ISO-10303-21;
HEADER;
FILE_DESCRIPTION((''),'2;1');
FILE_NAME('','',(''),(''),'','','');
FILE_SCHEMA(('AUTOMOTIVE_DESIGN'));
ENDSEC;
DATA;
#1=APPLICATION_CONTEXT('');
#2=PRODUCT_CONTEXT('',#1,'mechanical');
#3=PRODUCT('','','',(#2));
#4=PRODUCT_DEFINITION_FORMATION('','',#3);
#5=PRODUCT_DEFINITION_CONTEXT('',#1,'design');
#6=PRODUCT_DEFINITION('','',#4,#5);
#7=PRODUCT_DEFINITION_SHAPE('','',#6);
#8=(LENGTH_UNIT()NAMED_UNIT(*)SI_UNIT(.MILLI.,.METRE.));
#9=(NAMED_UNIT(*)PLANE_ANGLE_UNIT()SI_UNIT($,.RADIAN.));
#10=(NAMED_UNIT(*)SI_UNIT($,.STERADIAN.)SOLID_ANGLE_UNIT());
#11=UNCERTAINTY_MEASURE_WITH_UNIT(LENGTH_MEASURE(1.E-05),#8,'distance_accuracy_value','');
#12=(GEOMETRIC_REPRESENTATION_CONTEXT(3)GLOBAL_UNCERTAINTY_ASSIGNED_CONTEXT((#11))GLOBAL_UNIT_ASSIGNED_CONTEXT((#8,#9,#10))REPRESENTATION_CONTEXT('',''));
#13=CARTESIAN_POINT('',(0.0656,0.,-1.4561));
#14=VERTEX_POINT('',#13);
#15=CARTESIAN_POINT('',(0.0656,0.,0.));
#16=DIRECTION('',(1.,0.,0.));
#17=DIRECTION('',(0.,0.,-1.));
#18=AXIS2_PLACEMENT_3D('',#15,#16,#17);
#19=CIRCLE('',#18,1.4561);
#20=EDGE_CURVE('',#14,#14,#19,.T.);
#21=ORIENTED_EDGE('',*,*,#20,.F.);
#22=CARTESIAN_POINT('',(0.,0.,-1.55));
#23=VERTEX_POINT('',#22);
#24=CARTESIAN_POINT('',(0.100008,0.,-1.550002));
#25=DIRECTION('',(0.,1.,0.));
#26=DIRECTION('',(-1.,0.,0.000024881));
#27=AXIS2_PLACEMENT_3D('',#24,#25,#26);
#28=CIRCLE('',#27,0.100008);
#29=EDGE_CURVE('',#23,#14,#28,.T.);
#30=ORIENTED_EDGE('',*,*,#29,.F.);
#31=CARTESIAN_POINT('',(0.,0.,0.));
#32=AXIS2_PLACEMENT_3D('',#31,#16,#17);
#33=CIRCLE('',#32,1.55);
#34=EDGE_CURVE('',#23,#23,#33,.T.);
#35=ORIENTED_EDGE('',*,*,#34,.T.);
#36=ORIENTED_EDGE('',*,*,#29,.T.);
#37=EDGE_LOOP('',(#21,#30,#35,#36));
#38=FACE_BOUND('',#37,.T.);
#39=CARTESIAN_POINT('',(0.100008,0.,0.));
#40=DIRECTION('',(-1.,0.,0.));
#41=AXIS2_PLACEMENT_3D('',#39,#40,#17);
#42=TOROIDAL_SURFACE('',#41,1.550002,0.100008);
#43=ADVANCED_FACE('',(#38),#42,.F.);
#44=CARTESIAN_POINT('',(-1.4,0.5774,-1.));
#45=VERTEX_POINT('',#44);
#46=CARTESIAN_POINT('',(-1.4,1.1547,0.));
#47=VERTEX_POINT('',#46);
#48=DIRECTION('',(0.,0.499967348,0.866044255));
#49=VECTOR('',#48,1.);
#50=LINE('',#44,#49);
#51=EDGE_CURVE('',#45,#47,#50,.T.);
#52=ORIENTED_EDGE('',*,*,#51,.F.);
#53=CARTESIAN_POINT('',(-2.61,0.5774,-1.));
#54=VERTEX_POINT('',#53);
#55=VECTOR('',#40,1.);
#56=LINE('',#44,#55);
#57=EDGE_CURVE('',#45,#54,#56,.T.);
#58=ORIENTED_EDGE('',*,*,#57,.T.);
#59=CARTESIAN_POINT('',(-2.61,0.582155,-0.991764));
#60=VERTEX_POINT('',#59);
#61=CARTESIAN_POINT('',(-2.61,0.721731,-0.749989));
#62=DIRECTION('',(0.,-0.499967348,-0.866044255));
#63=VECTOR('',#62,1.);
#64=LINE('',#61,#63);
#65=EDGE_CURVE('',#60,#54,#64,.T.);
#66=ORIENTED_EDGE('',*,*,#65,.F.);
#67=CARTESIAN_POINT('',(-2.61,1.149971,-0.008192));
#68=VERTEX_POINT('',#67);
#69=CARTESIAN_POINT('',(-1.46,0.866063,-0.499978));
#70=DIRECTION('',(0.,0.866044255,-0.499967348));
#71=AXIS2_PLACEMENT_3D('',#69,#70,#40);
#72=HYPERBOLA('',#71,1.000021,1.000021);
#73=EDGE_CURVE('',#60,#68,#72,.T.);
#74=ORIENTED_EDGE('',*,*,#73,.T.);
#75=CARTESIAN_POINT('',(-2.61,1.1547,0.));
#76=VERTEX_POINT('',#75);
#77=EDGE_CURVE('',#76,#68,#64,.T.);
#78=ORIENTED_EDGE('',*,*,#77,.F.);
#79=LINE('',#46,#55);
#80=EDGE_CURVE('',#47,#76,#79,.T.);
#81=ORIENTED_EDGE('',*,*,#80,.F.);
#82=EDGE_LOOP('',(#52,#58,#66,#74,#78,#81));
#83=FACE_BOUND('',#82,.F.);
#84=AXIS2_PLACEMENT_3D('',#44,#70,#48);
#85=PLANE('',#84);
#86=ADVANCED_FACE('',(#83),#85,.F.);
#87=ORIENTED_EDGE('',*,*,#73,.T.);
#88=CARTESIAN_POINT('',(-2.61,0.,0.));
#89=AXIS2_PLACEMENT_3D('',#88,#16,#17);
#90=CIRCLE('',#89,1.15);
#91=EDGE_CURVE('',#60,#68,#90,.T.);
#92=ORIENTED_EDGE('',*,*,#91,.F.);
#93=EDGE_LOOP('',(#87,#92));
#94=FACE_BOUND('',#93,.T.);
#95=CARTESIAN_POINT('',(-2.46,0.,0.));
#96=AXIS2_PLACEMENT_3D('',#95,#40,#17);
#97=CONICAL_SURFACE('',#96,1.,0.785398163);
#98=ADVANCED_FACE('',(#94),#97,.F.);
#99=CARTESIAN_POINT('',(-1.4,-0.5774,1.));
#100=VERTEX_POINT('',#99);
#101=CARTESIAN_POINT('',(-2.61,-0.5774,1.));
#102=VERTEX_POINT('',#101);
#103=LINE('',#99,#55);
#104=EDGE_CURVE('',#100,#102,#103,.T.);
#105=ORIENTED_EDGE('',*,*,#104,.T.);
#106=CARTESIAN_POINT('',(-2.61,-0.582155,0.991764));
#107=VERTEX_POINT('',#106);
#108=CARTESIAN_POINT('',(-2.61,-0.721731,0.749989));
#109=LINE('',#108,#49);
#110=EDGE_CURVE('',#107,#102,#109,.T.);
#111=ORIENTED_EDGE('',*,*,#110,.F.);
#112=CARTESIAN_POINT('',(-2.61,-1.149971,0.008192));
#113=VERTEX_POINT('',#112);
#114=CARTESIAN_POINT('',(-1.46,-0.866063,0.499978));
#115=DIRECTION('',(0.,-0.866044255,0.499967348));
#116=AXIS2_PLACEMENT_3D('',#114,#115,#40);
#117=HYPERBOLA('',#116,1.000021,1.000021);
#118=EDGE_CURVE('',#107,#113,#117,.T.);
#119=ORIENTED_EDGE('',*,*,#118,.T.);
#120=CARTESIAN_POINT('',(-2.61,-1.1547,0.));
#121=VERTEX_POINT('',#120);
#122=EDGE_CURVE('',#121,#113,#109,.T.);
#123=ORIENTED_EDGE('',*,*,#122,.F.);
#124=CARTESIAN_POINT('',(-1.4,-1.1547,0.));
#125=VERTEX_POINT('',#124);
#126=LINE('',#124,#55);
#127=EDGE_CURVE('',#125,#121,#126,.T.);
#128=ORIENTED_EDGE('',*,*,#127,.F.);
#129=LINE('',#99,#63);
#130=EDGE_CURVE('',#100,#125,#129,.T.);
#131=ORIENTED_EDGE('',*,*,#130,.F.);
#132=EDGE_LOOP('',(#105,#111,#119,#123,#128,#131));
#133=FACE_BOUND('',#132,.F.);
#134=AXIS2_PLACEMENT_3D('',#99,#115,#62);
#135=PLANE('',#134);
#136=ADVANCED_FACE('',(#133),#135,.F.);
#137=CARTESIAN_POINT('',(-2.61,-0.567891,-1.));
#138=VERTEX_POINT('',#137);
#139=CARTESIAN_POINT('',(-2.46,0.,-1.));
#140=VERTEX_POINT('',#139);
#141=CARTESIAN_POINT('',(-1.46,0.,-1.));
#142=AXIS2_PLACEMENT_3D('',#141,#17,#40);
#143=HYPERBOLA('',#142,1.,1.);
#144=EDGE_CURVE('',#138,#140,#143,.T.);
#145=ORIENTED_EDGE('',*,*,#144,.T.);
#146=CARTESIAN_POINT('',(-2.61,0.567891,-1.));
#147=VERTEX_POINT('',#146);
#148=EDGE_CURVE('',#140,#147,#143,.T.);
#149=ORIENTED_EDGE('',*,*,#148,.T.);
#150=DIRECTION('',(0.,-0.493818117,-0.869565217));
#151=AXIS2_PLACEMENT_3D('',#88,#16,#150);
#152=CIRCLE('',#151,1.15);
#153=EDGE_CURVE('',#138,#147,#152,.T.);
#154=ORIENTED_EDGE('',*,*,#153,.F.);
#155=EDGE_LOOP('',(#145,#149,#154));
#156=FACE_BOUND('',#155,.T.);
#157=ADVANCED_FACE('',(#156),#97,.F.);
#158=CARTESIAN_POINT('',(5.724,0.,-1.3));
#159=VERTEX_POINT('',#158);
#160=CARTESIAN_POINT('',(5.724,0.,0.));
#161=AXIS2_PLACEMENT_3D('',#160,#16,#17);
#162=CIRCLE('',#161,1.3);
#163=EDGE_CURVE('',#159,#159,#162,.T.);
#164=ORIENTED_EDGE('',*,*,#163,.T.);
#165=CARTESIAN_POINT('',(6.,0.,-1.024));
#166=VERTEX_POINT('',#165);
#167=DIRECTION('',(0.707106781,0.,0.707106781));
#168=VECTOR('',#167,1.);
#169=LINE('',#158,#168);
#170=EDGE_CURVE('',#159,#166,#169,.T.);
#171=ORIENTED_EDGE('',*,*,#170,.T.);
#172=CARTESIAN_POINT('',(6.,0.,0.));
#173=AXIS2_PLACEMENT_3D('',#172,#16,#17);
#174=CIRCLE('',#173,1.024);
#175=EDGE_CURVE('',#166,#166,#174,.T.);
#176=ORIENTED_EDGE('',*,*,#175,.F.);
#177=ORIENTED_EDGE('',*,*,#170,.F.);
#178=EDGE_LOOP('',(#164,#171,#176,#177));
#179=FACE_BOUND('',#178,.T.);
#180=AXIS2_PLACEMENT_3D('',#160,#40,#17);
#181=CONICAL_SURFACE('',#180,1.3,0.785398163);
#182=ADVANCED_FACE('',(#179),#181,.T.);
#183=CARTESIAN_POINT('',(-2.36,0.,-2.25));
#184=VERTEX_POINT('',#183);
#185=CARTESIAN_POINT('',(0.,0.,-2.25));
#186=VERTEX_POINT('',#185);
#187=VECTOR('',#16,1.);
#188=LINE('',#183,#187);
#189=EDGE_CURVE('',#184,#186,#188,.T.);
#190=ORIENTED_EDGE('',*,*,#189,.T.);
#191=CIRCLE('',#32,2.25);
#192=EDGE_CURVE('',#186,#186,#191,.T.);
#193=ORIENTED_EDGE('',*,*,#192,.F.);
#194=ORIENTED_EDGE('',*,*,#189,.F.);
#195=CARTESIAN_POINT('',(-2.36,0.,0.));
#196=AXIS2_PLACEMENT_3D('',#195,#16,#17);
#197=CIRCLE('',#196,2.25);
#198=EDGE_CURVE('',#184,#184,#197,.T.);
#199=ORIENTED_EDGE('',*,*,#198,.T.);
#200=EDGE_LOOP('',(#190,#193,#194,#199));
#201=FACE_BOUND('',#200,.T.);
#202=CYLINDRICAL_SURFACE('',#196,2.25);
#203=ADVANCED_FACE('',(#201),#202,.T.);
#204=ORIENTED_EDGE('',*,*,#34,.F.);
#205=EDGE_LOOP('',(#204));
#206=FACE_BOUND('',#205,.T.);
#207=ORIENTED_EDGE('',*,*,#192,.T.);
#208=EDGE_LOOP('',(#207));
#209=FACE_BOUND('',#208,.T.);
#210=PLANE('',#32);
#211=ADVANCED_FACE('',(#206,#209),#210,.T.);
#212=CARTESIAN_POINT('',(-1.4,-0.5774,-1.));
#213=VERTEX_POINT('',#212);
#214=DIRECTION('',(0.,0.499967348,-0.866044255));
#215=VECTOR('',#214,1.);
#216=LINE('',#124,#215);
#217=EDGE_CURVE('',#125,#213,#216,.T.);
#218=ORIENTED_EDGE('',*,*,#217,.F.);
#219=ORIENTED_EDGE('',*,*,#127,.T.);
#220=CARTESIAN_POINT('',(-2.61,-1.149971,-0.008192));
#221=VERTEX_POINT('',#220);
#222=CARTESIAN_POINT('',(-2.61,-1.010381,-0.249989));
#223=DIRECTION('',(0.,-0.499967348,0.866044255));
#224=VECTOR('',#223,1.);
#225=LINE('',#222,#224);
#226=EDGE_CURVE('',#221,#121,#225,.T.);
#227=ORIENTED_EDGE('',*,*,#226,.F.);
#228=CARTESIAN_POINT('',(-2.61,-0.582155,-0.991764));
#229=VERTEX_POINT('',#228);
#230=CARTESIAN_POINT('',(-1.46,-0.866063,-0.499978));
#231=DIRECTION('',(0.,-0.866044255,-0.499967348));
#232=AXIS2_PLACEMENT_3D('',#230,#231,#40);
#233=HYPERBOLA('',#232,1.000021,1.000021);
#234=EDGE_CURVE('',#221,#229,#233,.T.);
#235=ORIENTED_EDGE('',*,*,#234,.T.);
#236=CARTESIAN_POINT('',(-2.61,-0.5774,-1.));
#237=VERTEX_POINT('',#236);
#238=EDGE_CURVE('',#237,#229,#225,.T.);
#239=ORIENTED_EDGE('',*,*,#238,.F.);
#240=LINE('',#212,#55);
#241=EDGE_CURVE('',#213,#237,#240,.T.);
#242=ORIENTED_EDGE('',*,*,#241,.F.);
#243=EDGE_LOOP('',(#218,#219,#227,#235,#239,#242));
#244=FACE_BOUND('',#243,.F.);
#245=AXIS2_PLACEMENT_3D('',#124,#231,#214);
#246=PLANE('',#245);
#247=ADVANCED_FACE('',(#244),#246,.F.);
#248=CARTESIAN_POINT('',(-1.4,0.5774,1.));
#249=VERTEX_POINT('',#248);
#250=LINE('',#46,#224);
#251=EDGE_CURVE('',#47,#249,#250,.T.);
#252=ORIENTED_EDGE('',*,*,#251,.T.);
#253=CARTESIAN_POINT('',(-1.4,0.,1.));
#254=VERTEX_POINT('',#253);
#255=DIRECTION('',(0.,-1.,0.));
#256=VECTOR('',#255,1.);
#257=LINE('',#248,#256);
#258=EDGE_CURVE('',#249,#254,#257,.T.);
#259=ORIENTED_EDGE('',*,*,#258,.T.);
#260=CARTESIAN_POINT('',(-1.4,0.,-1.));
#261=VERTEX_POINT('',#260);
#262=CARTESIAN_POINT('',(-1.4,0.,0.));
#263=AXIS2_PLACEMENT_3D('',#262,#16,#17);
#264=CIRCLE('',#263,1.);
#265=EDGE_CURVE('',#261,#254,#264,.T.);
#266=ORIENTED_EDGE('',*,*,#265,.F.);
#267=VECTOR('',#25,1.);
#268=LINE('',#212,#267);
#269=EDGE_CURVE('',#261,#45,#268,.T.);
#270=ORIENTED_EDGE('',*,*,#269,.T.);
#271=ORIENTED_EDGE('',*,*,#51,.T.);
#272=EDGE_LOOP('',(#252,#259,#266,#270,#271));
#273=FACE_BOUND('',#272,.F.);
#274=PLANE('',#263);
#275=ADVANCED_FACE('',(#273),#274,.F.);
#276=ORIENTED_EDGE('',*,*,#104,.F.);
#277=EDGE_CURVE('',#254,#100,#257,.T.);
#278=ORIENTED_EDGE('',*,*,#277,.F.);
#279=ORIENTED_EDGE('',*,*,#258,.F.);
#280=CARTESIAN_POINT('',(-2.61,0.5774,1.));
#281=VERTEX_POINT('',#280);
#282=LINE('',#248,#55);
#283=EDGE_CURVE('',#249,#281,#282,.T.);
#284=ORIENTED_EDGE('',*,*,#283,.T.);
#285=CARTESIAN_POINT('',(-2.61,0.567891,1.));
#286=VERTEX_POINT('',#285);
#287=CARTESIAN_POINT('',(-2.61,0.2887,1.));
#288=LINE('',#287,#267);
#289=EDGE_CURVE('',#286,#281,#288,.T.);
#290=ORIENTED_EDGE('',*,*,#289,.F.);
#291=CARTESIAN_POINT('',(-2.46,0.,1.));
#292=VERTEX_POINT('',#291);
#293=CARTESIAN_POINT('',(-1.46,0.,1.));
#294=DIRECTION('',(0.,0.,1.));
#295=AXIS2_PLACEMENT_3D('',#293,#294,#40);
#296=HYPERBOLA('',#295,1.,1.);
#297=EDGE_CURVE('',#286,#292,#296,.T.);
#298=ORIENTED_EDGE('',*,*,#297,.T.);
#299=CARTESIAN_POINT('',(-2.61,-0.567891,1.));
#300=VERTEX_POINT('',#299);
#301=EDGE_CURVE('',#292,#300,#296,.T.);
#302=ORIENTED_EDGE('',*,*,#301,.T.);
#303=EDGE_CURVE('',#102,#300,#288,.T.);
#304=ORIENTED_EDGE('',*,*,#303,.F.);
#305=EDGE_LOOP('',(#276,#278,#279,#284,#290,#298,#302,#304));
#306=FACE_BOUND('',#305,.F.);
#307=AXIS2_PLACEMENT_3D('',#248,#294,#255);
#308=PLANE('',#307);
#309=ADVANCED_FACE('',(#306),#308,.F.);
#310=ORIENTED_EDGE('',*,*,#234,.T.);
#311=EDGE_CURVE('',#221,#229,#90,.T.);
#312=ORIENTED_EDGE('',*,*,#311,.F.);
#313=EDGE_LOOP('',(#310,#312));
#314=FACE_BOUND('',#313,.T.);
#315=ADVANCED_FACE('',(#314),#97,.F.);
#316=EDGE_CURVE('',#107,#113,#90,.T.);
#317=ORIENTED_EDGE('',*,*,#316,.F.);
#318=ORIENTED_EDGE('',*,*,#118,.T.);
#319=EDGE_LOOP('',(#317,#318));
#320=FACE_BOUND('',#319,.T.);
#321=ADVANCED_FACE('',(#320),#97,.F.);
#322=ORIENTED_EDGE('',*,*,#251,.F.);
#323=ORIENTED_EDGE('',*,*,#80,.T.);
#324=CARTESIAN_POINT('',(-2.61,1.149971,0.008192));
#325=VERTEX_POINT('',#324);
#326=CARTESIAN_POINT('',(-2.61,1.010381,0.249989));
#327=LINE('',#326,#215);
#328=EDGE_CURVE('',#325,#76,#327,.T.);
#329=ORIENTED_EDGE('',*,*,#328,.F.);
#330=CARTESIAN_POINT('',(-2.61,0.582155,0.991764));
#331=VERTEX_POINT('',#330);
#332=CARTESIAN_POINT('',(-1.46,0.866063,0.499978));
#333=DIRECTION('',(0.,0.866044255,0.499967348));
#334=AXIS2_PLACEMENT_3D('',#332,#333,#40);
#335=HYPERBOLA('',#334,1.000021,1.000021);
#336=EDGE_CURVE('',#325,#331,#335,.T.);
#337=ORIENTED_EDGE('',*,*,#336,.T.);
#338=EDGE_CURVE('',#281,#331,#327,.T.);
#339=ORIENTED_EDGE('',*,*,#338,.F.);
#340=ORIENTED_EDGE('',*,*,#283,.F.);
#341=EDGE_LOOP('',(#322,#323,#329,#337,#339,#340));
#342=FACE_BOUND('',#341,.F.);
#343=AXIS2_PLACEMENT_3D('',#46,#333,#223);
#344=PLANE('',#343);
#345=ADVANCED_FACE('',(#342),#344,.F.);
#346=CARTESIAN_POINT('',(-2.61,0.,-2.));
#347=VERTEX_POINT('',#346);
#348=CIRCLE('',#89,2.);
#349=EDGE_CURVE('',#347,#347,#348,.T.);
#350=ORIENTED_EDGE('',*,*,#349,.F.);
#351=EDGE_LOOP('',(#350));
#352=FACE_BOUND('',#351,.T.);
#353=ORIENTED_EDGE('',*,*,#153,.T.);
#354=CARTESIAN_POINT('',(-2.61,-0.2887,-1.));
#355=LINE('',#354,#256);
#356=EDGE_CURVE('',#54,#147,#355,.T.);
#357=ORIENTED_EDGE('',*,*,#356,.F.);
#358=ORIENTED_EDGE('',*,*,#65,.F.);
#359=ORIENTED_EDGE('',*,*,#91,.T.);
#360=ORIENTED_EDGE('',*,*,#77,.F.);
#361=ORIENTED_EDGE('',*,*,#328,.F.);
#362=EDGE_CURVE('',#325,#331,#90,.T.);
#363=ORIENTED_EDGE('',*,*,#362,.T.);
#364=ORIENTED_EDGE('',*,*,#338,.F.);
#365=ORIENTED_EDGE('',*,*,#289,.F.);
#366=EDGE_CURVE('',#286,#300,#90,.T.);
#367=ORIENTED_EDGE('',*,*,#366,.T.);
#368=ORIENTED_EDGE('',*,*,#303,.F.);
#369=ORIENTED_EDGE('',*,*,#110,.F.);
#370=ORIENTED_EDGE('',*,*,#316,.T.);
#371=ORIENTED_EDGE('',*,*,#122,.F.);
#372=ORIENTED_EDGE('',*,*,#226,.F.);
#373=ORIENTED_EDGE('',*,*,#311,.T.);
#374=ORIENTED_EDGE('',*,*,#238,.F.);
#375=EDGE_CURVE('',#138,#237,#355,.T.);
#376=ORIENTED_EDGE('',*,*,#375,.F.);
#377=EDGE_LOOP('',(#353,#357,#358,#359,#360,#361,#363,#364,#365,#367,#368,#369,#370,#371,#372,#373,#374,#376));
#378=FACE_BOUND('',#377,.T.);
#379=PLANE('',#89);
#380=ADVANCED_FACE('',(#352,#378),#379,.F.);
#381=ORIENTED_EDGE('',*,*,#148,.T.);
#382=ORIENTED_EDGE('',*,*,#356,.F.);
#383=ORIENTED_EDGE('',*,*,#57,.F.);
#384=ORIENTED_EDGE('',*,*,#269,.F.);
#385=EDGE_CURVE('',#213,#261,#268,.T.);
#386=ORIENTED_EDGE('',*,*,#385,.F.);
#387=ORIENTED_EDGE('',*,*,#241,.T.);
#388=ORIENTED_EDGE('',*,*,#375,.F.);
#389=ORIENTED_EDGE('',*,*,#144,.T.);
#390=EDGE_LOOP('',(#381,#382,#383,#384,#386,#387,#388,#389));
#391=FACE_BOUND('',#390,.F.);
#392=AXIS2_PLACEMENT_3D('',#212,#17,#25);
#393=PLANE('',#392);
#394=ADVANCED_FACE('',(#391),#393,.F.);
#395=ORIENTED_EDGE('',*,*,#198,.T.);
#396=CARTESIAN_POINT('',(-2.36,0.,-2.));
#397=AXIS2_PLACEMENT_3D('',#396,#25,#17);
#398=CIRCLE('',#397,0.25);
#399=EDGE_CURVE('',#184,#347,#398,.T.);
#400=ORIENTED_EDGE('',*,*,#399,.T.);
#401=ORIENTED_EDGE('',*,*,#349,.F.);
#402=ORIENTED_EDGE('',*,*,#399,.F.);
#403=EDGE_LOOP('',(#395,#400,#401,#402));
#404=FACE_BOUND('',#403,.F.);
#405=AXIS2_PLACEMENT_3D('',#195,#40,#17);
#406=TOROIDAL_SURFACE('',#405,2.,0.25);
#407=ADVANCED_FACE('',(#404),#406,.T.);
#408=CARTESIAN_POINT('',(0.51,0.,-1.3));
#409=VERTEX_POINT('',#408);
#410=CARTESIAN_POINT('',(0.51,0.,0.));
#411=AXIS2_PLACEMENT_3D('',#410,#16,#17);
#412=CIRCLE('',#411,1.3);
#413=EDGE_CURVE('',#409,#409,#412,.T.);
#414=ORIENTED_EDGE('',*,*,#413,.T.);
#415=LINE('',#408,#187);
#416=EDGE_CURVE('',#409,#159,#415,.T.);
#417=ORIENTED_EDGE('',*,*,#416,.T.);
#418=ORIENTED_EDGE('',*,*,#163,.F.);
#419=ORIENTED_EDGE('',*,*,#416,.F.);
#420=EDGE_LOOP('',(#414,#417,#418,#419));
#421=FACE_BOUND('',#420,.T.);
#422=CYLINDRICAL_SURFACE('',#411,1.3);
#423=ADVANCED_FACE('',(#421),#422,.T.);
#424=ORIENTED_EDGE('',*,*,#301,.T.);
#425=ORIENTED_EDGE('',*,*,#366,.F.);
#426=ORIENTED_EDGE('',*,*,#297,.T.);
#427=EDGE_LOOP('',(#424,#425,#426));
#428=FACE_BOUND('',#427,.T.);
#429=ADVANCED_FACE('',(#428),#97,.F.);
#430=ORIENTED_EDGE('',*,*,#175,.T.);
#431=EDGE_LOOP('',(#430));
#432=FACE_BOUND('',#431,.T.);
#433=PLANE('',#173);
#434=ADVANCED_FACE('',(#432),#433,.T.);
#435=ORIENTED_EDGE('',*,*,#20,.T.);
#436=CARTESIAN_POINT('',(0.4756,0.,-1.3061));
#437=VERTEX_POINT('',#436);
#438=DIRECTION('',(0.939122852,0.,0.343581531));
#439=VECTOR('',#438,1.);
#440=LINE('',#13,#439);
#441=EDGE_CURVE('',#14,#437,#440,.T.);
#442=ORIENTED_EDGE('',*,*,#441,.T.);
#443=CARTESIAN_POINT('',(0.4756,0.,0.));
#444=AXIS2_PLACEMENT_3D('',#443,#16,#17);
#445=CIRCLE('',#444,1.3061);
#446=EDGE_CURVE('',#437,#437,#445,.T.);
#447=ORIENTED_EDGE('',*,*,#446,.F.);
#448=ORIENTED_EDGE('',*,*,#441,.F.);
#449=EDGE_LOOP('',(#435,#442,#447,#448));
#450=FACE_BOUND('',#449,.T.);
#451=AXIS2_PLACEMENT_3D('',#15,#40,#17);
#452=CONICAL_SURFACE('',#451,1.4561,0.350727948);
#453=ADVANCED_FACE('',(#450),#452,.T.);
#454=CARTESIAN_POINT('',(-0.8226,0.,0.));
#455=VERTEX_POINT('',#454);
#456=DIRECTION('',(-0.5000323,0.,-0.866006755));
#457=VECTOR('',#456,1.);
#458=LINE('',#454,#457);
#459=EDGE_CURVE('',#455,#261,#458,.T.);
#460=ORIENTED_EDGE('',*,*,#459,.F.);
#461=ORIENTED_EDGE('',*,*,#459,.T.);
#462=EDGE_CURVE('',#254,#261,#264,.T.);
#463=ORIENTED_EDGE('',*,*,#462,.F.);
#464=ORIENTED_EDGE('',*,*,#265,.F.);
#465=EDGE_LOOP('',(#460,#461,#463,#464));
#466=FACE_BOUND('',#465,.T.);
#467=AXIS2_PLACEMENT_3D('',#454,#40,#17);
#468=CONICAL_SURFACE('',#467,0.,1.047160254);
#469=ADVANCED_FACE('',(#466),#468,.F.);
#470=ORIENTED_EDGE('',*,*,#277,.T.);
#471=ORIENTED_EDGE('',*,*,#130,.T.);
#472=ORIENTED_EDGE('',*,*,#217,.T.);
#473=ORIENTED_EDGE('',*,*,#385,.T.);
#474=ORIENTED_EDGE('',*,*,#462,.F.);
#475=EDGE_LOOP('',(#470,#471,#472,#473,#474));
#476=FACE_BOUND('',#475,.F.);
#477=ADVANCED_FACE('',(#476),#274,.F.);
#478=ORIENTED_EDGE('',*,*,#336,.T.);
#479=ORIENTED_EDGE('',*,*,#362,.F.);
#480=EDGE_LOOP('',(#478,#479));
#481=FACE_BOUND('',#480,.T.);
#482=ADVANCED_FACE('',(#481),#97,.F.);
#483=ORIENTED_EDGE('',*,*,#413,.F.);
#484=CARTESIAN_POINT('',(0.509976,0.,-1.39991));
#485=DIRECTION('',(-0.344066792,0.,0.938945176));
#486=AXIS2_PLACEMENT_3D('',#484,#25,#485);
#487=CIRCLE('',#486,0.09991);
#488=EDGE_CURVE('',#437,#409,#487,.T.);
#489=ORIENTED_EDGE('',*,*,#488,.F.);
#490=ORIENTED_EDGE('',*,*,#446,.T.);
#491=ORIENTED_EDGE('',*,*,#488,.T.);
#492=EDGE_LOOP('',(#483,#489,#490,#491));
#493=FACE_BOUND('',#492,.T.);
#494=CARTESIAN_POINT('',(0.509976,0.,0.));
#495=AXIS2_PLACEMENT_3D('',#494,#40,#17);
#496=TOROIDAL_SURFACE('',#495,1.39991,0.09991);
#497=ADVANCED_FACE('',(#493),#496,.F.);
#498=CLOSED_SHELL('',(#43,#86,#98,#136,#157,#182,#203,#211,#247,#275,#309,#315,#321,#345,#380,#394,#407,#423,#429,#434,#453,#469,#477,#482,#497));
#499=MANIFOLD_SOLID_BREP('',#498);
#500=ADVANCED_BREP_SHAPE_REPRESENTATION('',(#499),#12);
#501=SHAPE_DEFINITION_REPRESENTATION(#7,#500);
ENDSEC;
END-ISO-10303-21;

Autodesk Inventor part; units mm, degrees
sketch "Sketch_1" plane through (0, 0, 0) normal (0, 1, 0) x (-1, 0, 0)
  line L0 (-6, 0) -> (2.61, 0)
  line L1 (0.8226, 0) -> (1.4, -1)
  line L2 (1.4, -1) -> (2.46, -1)
  line L3 (2.46, -1) -> (2.61, -1.15)
  line L4 (2.61, -1.15) -> (2.61, -2)
  arc A0 (2.36, -2.25) -> (2.61, -2) centre (2.36, -2) ccw
  line L5 (2.36, -2.25) -> (0, -2.25)
  line L6 (0, -2.25) -> (0, -1.55)
  arc A1 (0, -1.55) -> (-0.0656, -1.4561) centre (-0.1, -1.55) ccw
  line L7 (-0.0656, -1.4561) -> (-0.4756, -1.3061)
  arc A2 (-0.4756, -1.3061) -> (-0.51, -1.3) centre (-0.51, -1.4) ccw
  line L8 (-0.51, -1.3) -> (-5.724, -1.3)
  line L9 (-5.724, -1.3) -> (-6, -1.024)
  line L10 (-6, -1.024) -> (-6, 0)
  line L11 (-6, 0) -> (0.8226, 0)
revolve "Revolution1" add sketch "Sketch_1" angle 360 about axis through (6, 0, 0) along (1, 0, 0)
thread "Thread1" size "M2.6x0.45" class "6g" standard "ISO Metric profile" length 3.724
sketch "Skizze_1" plane through (-1.4, 0, 0) normal (1, 0, 0) x (0, 0, -1)
  line L0 (-1, -0.5774) -> (0, -1.1547)
  line L1 (0, -1.1547) -> (1, -0.5774)
  line L2 (1, -0.5774) -> (1, 0.5774)
  line L3 (1, 0.5774) -> (0, 1.1547)
  line L4 (0, 1.1547) -> (-1, 0.5774)
  line L5 (-1, 0.5774) -> (-1, -0.5774)
extrude "Extrusion1" cut sketch "Skizze_1" against normal blind 2.2
ref_plane "IP1_XY" through (0, 0, 0) normal (1, 0, 0) x (0, 0, -1)
ref_plane "IP1_YZ" through (0, 0, 0) normal (0, 0, -1) x (0, 1, 0)
ref_plane "IP1_ZX" through (0, 0, 0) normal (0, 1, 0) x (1, 0, 0)
ref_plane "IP2_XY" through (-2.6, 0, 0) normal (1, 0, 0) x (0, 0, -1)
ref_plane "IP2_YZ" through (-2.6, 0, 0) normal (0, 0, -1) x (0, 1, 0)
ref_plane "IP2_ZX" through (-2.6, 0, 0) normal (0, 1, 0) x (1, 0, 0)
ref_plane "IP3_XY" through (6, 0, 0) normal (1, 0, 0) x (0, 0, -1)
ref_plane "IP3_YZ" through (6, 0, 0) normal (0, 0, -1) x (0, 1, 0)
ref_plane "IP3_ZX" through (6, 0, 0) normal (0, 1, 0) x (1, 0, 0)
ref_plane "IP4_XY" through (0, 0, 0) normal (1, 0, 0) x (0, 0, -1)
ref_plane "IP4_YZ" through (0, 0, 0) normal (0, 0, -1) x (0, 1, 0)
ref_plane "IP4_ZX" through (0, 0, 0) normal (0, 1, 0) x (1, 0, 0)
properties part number "M2.6x66"
